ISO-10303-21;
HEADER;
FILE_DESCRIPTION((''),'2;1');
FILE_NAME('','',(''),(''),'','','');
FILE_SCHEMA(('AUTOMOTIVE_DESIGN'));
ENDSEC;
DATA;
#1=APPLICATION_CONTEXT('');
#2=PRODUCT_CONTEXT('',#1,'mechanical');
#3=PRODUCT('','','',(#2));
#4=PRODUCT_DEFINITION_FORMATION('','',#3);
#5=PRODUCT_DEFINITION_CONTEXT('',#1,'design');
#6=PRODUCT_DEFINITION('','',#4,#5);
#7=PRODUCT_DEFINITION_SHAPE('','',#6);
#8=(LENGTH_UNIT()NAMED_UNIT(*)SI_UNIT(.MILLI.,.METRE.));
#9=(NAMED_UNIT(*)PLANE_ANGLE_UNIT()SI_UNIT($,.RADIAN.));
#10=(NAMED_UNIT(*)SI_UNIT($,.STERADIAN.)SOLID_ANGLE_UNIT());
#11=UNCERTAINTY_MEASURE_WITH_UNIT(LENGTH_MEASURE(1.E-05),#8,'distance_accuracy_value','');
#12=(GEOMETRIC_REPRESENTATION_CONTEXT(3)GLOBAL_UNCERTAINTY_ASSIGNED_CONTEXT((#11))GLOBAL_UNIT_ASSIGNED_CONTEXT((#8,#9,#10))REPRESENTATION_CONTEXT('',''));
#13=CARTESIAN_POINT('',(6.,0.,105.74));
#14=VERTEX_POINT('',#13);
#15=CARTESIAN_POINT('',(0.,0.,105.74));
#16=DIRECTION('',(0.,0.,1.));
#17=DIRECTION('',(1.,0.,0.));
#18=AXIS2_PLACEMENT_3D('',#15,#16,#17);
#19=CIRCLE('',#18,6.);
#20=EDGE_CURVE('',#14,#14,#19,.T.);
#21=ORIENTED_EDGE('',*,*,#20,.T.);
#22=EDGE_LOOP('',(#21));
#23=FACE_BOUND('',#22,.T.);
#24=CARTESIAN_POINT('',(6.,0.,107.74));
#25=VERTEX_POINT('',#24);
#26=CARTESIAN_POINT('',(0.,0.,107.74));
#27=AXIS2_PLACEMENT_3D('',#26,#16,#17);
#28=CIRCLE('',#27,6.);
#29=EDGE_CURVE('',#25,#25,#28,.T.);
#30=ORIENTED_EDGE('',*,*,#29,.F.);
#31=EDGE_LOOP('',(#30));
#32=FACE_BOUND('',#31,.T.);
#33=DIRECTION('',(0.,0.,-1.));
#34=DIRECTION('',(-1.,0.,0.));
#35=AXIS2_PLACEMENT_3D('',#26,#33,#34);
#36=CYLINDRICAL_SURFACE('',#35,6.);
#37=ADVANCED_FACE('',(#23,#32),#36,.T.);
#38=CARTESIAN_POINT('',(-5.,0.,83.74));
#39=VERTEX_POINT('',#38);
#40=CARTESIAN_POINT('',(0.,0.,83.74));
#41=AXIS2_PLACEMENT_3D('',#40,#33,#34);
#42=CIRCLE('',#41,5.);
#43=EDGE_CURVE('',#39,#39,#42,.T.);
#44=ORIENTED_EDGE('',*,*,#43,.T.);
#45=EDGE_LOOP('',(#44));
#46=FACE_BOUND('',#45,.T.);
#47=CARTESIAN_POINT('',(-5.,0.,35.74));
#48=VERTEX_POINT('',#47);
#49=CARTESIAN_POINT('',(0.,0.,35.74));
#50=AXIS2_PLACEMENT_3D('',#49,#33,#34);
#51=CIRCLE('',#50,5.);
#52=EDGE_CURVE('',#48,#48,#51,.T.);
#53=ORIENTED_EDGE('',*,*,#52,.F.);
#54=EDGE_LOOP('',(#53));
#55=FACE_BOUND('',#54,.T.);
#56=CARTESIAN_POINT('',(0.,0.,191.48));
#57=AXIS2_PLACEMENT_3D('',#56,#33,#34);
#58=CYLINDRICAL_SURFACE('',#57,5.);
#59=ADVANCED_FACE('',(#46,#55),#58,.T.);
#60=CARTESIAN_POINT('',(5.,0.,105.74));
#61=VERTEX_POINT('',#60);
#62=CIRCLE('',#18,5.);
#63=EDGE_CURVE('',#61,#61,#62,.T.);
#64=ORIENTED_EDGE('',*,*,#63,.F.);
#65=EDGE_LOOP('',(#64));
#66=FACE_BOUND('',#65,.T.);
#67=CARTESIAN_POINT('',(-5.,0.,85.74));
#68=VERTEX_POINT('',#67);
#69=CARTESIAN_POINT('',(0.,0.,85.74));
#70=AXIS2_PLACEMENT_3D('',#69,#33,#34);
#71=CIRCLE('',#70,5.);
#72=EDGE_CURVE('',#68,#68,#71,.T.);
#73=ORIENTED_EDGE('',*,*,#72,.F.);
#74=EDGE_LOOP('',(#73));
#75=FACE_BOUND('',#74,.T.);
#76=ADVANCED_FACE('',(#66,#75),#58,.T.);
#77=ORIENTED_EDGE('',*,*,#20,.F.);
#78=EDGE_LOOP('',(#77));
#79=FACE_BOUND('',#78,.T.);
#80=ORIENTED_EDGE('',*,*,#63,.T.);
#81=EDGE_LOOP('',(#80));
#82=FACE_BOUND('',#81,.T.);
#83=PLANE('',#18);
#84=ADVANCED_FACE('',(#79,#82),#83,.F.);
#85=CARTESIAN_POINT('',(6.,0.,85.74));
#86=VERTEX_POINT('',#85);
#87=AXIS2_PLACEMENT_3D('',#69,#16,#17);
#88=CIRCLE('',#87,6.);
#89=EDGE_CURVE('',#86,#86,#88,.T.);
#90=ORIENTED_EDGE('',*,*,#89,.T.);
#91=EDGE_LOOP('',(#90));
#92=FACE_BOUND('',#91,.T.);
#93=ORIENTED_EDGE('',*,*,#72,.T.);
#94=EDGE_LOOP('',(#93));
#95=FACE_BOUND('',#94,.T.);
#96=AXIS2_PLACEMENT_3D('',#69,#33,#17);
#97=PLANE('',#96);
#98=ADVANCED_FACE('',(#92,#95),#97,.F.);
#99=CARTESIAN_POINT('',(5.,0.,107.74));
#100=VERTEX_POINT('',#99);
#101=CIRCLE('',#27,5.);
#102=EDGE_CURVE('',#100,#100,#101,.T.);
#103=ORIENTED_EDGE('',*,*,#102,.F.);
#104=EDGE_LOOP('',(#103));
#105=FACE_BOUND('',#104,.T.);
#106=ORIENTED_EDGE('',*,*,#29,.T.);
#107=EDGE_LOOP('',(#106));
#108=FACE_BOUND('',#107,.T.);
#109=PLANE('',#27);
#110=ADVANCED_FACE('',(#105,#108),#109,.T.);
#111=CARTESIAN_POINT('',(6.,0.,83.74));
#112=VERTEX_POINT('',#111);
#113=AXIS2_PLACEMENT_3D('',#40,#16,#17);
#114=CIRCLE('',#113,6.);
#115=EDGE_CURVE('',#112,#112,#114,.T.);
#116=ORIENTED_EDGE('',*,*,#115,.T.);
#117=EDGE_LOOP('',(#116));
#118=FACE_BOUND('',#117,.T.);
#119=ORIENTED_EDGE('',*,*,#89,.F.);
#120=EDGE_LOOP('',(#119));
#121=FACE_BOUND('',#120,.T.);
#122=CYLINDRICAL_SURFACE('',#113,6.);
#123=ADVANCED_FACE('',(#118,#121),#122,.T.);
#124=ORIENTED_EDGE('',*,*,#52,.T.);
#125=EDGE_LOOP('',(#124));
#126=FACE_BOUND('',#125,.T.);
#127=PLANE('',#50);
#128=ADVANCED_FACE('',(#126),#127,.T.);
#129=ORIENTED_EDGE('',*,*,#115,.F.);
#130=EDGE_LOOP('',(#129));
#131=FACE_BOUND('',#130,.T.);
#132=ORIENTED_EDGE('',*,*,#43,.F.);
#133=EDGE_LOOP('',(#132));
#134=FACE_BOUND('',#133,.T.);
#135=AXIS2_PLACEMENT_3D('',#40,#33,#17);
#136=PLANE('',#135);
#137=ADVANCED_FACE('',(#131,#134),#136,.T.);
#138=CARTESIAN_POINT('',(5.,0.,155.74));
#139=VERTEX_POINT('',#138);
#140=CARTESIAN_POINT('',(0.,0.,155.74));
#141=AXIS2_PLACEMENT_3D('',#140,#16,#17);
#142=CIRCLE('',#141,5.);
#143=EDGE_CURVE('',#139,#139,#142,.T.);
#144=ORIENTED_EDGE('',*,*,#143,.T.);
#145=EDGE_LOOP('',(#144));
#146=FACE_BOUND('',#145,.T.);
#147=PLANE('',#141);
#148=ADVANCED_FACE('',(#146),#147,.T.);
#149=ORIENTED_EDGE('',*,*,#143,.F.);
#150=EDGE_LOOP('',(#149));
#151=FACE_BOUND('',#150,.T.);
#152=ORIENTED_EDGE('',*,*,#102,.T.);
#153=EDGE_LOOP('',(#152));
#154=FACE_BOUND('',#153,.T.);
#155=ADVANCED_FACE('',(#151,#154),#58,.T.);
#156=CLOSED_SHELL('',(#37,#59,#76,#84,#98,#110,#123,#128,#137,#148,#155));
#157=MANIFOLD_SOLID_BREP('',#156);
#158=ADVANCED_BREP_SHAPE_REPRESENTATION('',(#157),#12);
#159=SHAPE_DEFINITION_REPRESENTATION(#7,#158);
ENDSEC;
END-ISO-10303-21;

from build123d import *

# Parameters (mm, degrees)
SKETCH1_R           = 5
BOSS_EXTRUDE1_DEPTH = 191.48
SKETCH2_R           = 6
BOSS_EXTRUDE2_DEPTH = 2
SKETCH3_R           = 5
CUT_EXTRUDE1_DEPTH  = 35.74
SKETCH4_R           = 5
CUT_EXTRUDE2_DEPTH  = 35.74


with BuildPart() as part:
    # Sketch1 → Boss-Extrude1 (new body)
    with BuildSketch(Plane.XY):
        Circle(SKETCH1_R)
    extrude(amount=BOSS_EXTRUDE1_DEPTH)

    # Sketch2 → Boss-Extrude2 (add)
    with BuildSketch(Plane.XY.offset(105.74)):
        Circle(SKETCH2_R)
    boss_extrude2 = extrude(amount=BOSS_EXTRUDE2_DEPTH)

    # Mirror1: Boss-Extrude2 across plane
    add(boss_extrude2.mirror(Plane.XY.offset(95.74)))

    # Sketch3 → Cut-Extrude1 (cut)
    with BuildSketch(Plane.XY.offset(191.48)):
        Circle(SKETCH3_R)
    extrude(amount=-CUT_EXTRUDE1_DEPTH, mode=Mode.SUBTRACT)

    # Sketch4 → Cut-Extrude2 (cut)
    with BuildSketch(Plane(origin=(0, 0, 0), x_dir=(-1, 0, 0), z_dir=(0, 0, -1))):
        Circle(SKETCH4_R)
    extrude(amount=-CUT_EXTRUDE2_DEPTH, mode=Mode.SUBTRACT)


solid = part.part
